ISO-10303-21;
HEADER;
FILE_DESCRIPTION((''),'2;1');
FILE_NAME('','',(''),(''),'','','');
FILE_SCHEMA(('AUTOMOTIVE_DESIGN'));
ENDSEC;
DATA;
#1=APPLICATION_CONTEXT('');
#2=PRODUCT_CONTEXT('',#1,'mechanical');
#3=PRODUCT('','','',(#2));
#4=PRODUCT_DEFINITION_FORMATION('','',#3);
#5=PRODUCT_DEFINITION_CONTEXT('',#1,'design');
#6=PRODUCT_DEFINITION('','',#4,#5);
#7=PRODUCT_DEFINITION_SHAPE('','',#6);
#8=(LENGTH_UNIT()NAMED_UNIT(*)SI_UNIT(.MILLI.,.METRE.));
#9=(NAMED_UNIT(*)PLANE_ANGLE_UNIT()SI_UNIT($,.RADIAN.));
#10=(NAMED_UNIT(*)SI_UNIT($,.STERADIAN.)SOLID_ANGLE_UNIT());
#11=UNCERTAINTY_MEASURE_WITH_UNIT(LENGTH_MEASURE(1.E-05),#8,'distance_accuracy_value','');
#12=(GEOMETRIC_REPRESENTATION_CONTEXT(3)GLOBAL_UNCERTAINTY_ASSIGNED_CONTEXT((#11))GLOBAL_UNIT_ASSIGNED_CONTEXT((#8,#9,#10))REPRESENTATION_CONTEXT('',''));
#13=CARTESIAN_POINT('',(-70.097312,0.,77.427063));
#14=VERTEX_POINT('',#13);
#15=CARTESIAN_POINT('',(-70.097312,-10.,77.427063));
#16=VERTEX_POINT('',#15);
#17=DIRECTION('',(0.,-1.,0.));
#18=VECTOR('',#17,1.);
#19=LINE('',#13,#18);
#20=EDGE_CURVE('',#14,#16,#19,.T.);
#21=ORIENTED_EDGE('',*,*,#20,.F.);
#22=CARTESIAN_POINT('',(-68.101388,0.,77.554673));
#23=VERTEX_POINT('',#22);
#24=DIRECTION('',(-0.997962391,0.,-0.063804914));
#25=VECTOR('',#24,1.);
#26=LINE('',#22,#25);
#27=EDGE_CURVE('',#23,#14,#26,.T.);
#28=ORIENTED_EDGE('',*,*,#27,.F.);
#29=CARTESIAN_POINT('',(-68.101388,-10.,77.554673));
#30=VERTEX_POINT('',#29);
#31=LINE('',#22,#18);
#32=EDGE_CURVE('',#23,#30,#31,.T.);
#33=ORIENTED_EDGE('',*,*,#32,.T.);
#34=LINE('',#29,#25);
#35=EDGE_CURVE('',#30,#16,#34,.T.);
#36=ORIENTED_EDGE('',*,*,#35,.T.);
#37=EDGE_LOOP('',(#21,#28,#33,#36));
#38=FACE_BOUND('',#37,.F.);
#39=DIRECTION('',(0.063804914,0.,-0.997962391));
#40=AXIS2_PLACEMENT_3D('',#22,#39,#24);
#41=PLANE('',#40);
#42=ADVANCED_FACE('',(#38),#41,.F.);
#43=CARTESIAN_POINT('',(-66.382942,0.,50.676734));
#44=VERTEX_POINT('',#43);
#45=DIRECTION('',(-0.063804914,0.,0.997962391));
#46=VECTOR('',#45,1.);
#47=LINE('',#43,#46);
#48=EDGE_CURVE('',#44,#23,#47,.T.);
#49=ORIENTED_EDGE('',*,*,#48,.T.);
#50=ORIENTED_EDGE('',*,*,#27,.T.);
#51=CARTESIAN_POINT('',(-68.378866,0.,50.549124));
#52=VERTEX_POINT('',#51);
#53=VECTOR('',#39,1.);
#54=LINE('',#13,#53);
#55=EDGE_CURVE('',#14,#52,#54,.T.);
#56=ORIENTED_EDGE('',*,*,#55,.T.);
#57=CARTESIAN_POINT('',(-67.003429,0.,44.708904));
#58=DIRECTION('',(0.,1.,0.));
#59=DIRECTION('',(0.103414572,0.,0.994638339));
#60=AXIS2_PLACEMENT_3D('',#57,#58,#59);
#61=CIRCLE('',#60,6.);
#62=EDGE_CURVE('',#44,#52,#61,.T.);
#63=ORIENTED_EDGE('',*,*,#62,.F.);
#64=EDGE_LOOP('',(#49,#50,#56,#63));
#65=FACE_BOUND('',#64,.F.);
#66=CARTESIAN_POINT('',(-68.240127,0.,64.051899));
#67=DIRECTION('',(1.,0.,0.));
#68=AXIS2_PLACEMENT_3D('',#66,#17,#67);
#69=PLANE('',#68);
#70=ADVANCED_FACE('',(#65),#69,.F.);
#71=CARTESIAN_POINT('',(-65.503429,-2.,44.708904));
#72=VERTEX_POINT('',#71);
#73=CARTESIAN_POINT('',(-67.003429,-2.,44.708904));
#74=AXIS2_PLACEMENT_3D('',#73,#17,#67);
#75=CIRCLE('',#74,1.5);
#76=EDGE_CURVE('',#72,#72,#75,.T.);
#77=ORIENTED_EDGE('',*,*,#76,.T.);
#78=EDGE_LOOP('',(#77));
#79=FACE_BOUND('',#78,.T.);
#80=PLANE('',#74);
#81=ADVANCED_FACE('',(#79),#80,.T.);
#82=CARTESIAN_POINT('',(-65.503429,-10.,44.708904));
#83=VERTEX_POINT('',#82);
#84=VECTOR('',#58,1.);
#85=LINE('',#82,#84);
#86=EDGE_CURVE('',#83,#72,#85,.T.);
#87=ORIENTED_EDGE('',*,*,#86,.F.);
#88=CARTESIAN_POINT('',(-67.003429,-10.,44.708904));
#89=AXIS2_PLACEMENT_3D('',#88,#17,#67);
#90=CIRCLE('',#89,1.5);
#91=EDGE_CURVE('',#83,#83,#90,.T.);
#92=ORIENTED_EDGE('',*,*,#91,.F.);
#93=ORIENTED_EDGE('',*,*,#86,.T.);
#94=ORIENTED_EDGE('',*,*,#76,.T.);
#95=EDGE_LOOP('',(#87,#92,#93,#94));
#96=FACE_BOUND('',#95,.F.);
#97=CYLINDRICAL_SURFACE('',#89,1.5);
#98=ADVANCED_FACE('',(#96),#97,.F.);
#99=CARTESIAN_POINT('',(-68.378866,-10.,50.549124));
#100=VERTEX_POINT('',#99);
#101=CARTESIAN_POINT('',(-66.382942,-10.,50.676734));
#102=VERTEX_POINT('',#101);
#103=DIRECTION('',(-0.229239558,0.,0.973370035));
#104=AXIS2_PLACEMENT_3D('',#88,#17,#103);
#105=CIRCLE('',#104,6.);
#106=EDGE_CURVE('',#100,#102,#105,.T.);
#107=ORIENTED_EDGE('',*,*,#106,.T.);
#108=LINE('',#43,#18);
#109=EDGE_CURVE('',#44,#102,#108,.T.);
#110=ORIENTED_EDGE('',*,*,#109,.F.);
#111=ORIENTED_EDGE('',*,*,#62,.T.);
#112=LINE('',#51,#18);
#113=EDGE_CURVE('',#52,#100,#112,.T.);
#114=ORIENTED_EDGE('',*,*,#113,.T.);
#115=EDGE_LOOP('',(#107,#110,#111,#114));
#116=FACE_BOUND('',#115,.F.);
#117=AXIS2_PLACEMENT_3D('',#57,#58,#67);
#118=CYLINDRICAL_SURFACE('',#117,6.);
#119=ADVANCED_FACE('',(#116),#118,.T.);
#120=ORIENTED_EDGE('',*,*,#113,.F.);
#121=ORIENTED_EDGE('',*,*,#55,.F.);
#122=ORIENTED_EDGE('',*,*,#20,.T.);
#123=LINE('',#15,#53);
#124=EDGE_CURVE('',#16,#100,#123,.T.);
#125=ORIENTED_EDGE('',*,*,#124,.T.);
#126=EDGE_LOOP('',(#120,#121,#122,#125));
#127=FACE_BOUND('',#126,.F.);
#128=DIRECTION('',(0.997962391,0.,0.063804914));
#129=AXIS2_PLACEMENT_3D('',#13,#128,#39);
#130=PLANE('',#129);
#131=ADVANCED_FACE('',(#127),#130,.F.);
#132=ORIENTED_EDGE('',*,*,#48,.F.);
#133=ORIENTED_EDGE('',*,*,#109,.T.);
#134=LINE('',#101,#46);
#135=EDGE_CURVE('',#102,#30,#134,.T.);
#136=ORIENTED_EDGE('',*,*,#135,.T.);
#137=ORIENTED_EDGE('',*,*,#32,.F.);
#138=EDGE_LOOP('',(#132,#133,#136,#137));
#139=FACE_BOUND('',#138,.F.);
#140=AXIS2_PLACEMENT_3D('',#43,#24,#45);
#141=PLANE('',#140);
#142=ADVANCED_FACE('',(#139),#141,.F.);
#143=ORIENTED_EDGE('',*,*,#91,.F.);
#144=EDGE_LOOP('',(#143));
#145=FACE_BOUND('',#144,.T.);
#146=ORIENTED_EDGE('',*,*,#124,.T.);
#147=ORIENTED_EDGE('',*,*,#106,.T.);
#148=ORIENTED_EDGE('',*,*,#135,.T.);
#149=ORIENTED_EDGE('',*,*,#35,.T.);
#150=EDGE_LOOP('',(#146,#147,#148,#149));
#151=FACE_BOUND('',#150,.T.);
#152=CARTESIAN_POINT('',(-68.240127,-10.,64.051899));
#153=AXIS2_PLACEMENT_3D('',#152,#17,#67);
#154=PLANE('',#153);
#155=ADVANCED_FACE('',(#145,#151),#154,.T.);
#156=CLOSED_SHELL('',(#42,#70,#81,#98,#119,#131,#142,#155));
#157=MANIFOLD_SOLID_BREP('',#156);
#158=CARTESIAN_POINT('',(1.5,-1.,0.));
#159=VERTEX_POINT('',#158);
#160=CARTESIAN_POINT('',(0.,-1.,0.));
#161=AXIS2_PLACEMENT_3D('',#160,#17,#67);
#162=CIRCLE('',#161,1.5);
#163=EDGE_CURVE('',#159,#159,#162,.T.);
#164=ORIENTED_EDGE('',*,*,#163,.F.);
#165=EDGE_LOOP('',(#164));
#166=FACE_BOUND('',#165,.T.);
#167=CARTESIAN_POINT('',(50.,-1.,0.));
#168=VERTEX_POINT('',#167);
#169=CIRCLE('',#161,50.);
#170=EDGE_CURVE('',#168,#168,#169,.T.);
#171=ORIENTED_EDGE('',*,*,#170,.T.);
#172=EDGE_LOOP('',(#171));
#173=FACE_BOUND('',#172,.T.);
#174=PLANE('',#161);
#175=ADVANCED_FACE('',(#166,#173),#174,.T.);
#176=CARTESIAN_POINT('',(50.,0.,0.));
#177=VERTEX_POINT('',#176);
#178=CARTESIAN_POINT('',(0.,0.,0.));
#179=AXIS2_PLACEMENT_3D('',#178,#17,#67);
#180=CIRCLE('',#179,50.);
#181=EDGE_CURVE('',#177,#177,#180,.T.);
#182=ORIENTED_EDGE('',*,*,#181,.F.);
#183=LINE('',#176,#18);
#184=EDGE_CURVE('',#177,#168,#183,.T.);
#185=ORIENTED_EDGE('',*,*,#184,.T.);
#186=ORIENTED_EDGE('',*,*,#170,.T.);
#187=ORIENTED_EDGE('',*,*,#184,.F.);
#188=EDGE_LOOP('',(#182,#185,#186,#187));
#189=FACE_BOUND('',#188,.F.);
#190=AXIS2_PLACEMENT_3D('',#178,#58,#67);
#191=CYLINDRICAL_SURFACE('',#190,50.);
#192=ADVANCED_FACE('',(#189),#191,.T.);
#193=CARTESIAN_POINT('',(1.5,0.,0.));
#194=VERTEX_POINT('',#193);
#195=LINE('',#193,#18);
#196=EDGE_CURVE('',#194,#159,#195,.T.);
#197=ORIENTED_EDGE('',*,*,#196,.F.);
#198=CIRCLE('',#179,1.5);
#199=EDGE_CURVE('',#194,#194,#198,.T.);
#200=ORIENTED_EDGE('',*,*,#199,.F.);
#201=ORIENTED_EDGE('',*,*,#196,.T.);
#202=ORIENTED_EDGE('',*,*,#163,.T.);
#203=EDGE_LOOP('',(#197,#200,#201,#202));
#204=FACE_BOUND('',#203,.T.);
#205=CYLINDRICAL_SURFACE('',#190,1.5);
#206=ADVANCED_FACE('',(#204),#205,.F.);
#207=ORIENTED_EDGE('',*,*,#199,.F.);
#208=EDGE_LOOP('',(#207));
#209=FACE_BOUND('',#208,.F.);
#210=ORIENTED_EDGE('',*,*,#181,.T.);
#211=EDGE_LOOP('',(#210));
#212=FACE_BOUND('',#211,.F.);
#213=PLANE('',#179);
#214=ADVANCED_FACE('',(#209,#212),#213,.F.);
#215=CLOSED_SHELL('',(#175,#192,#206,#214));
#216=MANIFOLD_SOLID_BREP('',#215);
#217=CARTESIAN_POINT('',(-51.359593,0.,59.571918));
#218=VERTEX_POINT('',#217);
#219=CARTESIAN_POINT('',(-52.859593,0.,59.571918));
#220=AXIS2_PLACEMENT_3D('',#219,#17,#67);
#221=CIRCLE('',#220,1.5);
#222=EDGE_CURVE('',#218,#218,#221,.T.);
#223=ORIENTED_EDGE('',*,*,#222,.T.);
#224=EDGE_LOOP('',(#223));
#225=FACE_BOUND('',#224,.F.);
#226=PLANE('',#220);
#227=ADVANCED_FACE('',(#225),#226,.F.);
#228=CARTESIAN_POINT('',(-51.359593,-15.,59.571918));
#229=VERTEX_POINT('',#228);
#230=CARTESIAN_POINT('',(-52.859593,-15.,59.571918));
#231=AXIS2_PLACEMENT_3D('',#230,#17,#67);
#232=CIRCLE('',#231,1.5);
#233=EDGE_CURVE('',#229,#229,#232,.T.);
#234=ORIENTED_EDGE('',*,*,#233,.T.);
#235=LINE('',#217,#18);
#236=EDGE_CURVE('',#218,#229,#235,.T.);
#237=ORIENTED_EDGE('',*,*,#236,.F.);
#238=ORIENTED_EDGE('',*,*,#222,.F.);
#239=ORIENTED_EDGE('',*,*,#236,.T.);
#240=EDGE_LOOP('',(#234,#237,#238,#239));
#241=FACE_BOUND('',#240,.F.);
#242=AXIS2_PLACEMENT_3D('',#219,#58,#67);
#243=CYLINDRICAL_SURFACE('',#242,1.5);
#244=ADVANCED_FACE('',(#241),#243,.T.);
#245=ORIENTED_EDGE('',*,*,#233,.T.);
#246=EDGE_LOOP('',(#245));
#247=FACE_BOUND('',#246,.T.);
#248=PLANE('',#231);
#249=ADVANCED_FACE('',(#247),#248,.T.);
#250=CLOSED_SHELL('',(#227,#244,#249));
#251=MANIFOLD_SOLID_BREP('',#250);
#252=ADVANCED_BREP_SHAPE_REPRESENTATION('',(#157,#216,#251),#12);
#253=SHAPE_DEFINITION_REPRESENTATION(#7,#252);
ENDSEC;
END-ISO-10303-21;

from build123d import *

# Parameters (mm, degrees)
F0_R          = 50
F1_DEPTH      = 1
F2_R          = 1.5
F3_DEPTH      = 25
F3_DEPTH_BACK = 1
F4_R          = 1.5
F5_DEPTH      = 15
F6_R          = 6
F8_DEPTH      = 10
F9_R          = 1.5
F10_DEPTH     = 8
F13_DEPTH     = 10


with BuildPart() as f1:
    # F0 (on Front) → F1 (new body)
    with BuildSketch(Plane.XZ):
        Circle(F0_R)
    extrude(amount=F1_DEPTH)

    # F2 (on Front) → F3 (cut, two sides)
    with BuildSketch(Plane.XZ) as f3_sk:
        Circle(F2_R)
    extrude(amount=-F3_DEPTH, mode=Mode.SUBTRACT)
    extrude(f3_sk.sketch, amount=F3_DEPTH_BACK, mode=Mode.SUBTRACT)


with BuildPart() as f5:
    # F4 (on Front) → F5 (new body)
    with BuildSketch(Plane.XZ):
        with Locations((-52.8595931828, 59.5719181001)):
            Circle(F4_R)
    extrude(amount=F5_DEPTH)


with BuildPart() as f8:
    # F6 (on Front) → F8 (new body)
    with BuildSketch(Plane.XZ):
        with Locations((-67.003428936, 44.7089038789)):
            Circle(F6_R)
    extrude(amount=F8_DEPTH)

    # F9 (on face) → F10 (cut, through all)
    with BuildSketch(Plane.XZ.offset(10)):
        with Locations((-67.003428936, 44.7089038789)):
            Circle(F9_R)
    extrude(amount=-F10_DEPTH, mode=Mode.SUBTRACT)

    # F12 (on Front) → F13 (join, through all)
    with BuildSketch(Plane.XZ):
        Polygon((-68.1013876257, 77.554673188), (-69.0993500163, 77.4908682742), (-70.0973124069, 77.4270633604), (-68.378866287, 50.5491240883), (-66.3829415059, 50.6767339158), align=None)
    extrude(amount=F13_DEPTH)


solid = Compound([f1.part, f5.part, f8.part])
